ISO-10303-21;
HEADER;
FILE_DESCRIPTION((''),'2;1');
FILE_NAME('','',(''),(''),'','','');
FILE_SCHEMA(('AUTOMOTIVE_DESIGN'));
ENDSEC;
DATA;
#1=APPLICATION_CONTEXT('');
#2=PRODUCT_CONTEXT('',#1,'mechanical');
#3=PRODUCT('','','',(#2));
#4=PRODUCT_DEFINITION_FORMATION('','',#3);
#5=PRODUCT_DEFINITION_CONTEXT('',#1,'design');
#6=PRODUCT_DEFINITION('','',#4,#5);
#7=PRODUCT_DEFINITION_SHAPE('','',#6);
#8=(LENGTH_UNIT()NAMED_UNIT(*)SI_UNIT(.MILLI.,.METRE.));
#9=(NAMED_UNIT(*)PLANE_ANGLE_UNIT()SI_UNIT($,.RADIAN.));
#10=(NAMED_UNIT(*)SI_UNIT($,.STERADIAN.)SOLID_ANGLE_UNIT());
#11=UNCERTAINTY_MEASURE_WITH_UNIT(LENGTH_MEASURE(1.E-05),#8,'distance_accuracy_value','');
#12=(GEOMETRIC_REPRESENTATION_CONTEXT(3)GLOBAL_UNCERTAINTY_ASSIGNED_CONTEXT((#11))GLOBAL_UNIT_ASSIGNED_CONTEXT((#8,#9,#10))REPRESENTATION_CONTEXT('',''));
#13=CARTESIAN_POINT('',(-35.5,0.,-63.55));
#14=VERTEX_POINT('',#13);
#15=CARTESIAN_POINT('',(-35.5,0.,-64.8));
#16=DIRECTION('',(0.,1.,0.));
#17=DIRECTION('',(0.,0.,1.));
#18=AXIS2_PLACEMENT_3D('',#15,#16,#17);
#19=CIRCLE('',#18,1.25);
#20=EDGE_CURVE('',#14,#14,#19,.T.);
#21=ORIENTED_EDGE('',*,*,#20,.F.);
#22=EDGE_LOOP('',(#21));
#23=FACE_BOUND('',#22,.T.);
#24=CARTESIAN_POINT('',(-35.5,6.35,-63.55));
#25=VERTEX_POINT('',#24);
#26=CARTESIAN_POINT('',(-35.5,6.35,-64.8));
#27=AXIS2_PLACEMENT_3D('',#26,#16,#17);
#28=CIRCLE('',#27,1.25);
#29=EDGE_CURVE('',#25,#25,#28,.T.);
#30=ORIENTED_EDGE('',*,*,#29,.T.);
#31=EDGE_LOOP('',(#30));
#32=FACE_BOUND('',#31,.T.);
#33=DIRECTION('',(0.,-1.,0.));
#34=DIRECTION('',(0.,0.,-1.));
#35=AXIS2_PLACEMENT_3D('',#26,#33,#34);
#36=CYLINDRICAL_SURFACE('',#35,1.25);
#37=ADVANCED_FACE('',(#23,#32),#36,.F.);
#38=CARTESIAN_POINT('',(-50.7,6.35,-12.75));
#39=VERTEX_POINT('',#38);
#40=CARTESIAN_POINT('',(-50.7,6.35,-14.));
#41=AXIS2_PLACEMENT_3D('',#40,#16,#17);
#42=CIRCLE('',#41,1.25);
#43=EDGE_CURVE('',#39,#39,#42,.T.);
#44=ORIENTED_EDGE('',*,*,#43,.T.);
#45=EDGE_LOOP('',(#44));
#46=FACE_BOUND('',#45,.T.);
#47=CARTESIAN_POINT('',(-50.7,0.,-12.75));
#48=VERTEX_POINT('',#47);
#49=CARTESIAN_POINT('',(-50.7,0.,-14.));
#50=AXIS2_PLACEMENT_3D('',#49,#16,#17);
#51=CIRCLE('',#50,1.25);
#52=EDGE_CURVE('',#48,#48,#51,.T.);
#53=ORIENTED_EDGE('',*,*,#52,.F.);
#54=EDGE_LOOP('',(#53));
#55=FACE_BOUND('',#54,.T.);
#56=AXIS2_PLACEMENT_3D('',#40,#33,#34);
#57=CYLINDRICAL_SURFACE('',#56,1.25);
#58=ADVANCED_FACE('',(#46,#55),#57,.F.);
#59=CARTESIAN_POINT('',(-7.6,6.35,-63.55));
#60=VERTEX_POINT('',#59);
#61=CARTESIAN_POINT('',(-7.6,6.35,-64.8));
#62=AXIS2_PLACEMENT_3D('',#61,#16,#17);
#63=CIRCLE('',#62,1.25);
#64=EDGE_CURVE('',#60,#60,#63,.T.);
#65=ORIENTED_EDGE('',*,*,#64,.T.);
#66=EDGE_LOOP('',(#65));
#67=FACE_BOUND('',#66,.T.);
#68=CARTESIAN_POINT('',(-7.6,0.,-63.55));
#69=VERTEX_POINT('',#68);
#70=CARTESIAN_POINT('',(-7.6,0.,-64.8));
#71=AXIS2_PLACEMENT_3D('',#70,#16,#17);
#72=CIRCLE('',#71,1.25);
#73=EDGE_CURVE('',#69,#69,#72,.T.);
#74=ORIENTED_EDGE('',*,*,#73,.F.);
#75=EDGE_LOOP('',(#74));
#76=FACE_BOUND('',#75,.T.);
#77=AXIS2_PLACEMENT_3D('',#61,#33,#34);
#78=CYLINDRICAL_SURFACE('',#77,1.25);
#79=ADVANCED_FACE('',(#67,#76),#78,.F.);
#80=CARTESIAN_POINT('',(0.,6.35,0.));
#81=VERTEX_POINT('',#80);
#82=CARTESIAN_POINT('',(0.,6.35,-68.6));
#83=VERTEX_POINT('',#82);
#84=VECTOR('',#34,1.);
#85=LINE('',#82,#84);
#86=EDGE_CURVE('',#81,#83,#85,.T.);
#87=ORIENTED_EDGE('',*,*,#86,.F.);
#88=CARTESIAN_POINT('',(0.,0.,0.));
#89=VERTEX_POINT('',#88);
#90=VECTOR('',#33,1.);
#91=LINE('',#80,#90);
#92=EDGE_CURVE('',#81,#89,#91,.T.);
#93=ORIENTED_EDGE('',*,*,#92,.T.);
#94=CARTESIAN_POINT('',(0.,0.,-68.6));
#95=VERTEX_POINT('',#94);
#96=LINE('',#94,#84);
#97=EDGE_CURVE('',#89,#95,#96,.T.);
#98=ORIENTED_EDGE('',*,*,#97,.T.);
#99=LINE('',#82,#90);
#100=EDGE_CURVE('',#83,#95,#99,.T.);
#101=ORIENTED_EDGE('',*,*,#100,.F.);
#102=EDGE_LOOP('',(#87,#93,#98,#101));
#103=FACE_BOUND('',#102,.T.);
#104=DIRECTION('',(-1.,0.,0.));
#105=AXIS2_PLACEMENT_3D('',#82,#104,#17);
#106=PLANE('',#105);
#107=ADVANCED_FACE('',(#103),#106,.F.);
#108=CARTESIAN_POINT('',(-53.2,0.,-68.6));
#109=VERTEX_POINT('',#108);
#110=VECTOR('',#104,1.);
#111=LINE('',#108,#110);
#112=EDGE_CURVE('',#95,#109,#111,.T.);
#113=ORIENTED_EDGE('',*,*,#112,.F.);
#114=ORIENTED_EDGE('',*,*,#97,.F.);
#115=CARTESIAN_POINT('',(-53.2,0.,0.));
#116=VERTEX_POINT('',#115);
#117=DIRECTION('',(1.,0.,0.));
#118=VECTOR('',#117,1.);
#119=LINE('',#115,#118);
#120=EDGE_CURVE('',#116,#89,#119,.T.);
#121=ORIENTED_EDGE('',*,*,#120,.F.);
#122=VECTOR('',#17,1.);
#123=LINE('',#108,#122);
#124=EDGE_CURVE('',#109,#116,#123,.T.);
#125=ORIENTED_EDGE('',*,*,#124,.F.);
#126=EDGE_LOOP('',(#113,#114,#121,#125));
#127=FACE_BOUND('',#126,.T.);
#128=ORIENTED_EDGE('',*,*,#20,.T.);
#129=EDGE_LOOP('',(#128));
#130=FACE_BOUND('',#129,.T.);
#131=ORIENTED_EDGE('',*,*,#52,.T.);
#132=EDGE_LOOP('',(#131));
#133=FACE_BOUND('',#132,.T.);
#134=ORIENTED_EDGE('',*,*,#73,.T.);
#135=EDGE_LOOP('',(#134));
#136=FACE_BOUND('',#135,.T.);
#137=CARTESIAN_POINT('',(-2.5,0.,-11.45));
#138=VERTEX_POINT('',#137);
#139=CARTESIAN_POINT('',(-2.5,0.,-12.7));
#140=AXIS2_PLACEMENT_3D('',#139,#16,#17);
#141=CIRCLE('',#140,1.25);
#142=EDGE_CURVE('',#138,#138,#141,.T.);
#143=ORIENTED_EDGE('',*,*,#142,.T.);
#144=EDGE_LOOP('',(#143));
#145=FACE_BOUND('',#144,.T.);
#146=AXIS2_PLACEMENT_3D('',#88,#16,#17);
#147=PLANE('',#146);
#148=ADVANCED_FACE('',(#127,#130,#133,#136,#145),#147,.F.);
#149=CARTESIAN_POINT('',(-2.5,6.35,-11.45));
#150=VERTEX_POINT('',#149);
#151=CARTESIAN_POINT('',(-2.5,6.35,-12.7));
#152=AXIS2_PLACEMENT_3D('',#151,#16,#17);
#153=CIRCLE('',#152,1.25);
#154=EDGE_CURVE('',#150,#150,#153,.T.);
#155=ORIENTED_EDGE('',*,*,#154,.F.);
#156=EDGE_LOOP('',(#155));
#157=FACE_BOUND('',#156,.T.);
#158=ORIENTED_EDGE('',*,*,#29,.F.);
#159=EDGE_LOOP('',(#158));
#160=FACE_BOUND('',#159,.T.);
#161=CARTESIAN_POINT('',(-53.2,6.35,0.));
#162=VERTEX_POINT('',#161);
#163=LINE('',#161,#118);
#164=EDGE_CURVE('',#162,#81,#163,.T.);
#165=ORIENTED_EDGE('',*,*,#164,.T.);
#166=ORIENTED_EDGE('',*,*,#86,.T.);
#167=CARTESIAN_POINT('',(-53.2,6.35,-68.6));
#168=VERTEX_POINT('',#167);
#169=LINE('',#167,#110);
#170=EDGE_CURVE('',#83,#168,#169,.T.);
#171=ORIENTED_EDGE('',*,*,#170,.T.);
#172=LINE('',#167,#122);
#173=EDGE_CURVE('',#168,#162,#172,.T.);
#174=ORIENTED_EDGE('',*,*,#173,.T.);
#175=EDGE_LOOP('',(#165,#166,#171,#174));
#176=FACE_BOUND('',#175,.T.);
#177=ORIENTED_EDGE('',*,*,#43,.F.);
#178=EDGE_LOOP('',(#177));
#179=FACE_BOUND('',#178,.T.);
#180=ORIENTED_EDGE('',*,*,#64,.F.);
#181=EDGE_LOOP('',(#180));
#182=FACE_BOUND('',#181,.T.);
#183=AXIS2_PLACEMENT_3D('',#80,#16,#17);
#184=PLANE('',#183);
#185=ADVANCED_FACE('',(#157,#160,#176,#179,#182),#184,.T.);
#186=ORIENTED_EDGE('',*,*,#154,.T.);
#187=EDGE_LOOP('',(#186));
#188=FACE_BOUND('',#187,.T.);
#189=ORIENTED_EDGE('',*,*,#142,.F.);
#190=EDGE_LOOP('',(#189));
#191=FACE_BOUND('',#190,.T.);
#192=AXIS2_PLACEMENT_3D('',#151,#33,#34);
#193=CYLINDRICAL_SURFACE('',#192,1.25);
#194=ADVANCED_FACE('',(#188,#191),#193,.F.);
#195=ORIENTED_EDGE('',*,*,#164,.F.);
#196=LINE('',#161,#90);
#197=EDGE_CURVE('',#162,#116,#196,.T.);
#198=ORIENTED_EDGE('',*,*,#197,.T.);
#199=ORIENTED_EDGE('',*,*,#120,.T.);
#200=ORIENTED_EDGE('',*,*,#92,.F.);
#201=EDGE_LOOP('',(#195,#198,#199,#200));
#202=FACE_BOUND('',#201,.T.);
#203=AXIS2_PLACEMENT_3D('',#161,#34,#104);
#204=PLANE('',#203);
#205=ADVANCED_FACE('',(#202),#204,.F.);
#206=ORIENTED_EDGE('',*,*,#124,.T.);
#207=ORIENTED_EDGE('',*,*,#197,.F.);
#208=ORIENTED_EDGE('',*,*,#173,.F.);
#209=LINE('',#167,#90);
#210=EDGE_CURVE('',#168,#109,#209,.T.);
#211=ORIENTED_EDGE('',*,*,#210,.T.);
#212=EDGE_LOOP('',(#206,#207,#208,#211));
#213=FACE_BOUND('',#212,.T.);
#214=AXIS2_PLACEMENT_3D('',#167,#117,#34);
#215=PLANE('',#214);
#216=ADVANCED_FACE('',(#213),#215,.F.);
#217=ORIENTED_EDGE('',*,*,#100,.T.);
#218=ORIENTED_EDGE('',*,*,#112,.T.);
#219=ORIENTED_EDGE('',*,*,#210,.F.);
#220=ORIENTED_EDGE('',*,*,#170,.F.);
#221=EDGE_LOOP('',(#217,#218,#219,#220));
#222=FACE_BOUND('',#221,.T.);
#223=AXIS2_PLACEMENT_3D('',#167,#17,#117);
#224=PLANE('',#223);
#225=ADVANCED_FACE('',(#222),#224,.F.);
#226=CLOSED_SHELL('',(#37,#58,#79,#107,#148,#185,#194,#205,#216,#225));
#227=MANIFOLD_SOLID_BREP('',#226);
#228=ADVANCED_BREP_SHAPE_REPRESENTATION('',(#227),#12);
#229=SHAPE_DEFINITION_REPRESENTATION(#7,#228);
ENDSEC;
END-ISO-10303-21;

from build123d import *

# Parameters (mm, degrees)
SKETCH1_W           = 53.2
SKETCH1_H           = 68.6
SKETCH1_R           = 1.25
BOSS_EXTRUDE1_DEPTH = 6.35


with BuildPart() as part:
    # Sketch1 → Boss-Extrude1 (new body)
    with BuildSketch(Plane(origin=(0, 0, 0), x_dir=(1, 0, 0), z_dir=(0, 1, 0))):
        with Locations((-26.6, 34.3)):
            Rectangle(SKETCH1_W, SKETCH1_H)
        with Locations((-35.5, 64.8)):
            Circle(SKETCH1_R, mode=Mode.SUBTRACT)
        with Locations((-7.6, 64.8)):
            Circle(SKETCH1_R, mode=Mode.SUBTRACT)
        with Locations((-50.7, 14)):
            Circle(SKETCH1_R, mode=Mode.SUBTRACT)
        with Locations((-2.5, 12.7)):
            Circle(SKETCH1_R, mode=Mode.SUBTRACT)
    extrude(amount=BOSS_EXTRUDE1_DEPTH)


solid = part.part
